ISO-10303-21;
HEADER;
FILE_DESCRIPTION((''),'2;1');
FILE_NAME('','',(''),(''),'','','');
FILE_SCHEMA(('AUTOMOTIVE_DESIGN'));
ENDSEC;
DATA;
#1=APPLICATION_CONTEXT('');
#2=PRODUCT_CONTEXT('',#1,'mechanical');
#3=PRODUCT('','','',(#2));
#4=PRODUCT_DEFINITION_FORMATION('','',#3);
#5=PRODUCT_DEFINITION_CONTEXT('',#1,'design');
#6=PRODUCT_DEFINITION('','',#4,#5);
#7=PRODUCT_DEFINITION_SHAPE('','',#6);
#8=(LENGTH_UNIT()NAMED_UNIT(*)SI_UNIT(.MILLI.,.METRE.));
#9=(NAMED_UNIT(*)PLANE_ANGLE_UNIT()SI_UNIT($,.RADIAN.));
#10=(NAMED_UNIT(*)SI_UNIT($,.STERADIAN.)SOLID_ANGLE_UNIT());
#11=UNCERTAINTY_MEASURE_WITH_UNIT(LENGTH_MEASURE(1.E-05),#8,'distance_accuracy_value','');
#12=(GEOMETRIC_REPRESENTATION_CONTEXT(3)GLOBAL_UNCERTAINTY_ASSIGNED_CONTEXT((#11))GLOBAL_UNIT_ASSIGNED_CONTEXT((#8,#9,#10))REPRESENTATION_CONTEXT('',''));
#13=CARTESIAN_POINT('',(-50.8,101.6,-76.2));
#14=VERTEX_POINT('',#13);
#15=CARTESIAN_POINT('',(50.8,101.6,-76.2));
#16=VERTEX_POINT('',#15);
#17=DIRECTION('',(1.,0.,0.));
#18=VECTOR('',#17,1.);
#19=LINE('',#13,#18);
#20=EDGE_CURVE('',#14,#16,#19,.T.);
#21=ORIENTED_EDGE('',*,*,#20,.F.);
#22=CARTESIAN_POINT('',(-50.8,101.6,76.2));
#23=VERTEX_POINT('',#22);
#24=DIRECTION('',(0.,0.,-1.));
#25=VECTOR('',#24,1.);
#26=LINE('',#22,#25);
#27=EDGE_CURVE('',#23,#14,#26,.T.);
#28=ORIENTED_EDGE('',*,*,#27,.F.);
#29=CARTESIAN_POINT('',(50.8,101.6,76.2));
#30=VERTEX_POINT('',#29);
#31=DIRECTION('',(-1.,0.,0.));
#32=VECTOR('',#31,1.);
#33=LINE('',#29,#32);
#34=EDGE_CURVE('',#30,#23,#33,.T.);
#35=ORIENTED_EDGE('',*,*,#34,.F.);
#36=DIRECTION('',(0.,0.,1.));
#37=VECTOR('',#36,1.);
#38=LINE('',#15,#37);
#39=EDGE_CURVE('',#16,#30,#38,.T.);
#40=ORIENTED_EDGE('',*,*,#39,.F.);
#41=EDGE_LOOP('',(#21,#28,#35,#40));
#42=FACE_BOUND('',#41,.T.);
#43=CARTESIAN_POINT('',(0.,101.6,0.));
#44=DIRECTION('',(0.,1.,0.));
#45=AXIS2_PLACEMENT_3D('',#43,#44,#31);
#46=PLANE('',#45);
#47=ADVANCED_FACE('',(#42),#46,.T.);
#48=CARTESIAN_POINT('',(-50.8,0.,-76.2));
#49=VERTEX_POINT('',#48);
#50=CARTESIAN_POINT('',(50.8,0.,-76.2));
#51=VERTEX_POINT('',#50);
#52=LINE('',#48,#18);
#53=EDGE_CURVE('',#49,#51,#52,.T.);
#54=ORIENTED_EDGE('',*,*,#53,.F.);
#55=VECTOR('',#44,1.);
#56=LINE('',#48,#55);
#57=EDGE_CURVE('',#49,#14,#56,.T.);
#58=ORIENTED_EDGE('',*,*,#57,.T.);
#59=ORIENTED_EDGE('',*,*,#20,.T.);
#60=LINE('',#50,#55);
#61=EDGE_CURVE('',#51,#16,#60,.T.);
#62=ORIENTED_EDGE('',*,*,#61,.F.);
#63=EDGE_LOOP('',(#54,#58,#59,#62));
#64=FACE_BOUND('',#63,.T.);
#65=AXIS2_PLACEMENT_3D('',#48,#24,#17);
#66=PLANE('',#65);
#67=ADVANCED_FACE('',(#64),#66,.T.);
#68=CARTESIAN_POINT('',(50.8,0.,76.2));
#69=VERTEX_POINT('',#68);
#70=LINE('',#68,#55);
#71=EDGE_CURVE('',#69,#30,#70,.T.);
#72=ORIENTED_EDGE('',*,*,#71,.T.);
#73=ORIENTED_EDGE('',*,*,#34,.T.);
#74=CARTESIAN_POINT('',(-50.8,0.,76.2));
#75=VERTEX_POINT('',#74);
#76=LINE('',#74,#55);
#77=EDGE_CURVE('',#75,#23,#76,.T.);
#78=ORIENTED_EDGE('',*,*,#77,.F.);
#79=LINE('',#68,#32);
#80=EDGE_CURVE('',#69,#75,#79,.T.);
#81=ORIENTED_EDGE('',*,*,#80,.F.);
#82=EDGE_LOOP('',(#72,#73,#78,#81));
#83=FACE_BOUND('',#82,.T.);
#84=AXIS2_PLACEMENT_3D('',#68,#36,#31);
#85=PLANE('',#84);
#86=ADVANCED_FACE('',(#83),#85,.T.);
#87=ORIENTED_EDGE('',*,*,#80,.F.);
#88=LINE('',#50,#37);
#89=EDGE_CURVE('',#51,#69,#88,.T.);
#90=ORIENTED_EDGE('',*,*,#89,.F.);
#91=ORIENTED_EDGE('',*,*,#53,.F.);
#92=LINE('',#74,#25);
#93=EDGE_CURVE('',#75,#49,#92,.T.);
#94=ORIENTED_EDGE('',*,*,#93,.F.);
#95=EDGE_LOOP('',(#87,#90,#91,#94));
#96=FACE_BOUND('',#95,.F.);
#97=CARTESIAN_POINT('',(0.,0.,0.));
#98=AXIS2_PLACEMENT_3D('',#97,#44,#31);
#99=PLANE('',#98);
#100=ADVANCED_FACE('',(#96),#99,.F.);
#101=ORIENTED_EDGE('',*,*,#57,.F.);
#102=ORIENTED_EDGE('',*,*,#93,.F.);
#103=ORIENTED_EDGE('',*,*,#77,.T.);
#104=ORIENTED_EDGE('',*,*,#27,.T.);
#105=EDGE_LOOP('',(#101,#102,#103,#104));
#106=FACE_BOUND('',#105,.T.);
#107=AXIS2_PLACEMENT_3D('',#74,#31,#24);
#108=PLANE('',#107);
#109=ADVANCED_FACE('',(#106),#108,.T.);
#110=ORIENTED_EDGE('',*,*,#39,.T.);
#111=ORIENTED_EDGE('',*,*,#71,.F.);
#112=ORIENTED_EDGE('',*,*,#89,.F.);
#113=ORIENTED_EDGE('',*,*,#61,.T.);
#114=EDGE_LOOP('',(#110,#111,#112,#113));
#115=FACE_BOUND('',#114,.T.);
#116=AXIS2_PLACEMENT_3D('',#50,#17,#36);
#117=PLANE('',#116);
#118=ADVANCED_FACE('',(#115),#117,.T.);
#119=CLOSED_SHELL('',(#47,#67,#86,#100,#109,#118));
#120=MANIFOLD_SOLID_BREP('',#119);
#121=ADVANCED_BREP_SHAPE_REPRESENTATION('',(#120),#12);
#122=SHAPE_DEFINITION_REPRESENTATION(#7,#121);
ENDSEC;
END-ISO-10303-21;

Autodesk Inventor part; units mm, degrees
ref_plane "YZ Plane" through (0, 0, 0) normal (1, 0, 0) x (0, 1, 0)
ref_plane "XZ Plane" through (0, 0, 0) normal (0, 1, 0) x (-1, 0, 0)
ref_plane "XY Plane" through (0, 0, 0) normal (0, 0, 1) x (1, 0, 0)
sketch "Sketch1" plane through (0, 0, 0) normal (0, 1, 0) x (-1, 0, 0)
  line L0 (-50.8, 76.2) -> (50.8, 76.2)
  line L1 (50.8, 76.2) -> (50.8, -76.2)
  line L2 (50.8, -76.2) -> (-50.8, -76.2)
  line L3 (-50.8, -76.2) -> (-50.8, 76.2)
  line L4 (-50.8, 76.2) -> (50.8, -76.2) construction
  line L5 (50.8, 76.2) -> (-50.8, -76.2) construction
  point P0 (0, 0)
  dimension "d0" = 101.6
  dimension "d1" = 152.4
extrude "Extrusion1" add sketch "Sketch1" along normal blind 101.6
properties part number "formingToolMain"
